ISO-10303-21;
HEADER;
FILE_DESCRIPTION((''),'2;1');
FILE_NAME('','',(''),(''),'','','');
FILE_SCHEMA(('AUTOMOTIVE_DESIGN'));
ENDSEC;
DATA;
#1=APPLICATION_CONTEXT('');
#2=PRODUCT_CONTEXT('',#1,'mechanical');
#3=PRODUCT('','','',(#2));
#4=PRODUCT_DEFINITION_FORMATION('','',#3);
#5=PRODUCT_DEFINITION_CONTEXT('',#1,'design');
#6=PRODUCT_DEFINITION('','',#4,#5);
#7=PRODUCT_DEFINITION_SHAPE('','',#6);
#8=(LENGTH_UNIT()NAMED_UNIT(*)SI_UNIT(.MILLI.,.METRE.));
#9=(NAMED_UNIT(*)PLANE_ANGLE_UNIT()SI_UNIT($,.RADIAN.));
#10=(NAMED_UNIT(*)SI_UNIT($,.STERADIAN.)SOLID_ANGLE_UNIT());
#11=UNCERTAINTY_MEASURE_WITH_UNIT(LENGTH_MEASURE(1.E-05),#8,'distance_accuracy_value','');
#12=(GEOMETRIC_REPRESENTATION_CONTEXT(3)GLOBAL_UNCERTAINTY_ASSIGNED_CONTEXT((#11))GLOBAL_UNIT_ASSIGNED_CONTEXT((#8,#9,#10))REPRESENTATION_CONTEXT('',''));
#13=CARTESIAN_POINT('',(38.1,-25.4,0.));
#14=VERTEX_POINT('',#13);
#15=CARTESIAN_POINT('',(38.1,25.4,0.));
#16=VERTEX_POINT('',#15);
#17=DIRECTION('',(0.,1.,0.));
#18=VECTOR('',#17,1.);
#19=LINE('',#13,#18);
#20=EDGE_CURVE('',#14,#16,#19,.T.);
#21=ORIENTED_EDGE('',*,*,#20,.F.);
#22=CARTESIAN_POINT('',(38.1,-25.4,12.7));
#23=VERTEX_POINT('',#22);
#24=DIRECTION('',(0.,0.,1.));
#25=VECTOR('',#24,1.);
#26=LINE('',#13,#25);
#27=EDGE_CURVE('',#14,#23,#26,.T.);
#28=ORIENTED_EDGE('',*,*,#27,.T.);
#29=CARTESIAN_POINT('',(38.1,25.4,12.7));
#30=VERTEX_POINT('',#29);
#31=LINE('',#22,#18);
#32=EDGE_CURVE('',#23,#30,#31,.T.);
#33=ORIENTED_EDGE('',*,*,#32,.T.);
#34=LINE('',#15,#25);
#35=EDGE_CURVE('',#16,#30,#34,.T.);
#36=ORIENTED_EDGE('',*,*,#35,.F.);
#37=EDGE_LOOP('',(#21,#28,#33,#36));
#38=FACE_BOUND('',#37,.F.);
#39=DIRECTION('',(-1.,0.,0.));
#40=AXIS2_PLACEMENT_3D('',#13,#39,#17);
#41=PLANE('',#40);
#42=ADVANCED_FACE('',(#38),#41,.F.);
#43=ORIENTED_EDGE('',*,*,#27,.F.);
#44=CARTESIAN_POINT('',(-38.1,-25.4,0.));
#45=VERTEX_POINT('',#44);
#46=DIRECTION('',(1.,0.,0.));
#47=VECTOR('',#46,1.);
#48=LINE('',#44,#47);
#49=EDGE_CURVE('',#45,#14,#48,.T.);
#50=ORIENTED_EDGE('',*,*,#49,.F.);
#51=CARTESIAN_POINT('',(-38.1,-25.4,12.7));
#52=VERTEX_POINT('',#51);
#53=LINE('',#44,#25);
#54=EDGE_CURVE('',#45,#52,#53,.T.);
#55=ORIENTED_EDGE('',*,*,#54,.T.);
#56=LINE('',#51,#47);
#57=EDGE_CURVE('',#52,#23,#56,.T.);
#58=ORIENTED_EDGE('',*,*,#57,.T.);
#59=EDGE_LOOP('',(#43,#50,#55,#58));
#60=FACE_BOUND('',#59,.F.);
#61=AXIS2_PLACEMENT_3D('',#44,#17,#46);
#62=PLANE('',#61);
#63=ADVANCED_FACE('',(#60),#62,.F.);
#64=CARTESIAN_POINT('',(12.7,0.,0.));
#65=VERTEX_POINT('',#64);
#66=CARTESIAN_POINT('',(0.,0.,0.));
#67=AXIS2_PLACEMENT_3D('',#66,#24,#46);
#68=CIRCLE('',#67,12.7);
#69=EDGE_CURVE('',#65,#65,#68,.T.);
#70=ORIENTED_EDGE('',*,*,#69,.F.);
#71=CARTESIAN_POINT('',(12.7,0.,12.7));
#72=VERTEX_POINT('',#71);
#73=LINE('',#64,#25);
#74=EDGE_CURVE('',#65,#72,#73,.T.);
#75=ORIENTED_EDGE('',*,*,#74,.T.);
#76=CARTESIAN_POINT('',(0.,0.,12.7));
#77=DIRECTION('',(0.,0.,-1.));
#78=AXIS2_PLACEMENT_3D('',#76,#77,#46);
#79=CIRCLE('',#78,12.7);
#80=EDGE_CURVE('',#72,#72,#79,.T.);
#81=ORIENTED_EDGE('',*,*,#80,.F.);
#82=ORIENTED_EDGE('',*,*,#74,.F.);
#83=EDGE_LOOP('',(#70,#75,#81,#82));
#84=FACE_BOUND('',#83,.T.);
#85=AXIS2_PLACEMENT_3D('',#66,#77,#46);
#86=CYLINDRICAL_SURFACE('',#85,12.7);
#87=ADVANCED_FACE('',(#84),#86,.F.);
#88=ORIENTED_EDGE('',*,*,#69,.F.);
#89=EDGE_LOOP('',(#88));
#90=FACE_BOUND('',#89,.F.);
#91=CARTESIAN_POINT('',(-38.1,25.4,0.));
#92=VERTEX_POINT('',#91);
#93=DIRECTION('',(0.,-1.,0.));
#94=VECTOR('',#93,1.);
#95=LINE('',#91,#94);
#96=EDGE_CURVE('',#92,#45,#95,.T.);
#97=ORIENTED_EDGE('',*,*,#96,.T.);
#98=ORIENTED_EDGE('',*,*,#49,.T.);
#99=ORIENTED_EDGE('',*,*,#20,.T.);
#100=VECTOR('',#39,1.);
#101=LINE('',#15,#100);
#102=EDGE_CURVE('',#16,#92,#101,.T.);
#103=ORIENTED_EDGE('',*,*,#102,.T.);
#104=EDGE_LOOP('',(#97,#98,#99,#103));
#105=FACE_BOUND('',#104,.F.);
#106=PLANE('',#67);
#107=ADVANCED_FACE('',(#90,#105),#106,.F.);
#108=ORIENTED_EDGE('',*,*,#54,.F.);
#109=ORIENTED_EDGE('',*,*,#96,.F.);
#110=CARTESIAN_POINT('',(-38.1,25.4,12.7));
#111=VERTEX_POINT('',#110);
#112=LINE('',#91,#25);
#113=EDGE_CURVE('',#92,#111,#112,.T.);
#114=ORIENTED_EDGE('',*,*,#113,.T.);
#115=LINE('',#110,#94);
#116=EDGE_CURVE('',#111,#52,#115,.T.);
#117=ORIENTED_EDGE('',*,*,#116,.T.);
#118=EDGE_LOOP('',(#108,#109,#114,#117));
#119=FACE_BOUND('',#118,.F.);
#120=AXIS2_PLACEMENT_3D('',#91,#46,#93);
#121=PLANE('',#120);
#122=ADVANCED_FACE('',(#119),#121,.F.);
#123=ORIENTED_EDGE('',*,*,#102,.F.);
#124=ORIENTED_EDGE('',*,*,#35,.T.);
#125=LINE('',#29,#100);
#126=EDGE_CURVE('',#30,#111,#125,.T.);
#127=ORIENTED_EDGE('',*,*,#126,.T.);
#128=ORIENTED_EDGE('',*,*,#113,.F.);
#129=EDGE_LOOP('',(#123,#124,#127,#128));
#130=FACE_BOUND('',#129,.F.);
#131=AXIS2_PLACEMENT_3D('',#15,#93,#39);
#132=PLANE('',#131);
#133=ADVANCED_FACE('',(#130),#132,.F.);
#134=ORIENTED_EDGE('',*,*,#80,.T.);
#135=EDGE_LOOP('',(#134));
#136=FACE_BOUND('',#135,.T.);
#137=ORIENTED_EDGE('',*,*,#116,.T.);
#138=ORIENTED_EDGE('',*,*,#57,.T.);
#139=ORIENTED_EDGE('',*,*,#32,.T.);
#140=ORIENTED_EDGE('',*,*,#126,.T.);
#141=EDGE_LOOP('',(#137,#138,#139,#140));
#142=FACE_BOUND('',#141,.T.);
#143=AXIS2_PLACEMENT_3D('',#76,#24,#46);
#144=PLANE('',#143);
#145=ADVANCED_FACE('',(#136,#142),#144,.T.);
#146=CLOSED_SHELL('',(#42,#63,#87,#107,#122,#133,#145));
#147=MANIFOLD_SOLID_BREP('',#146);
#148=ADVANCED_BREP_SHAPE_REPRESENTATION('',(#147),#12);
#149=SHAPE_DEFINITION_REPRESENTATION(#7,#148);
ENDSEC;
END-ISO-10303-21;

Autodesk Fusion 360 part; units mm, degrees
sketch "RectangleWithCircle" plane through (0, 0, 0) normal (0, 0, 1) x (1, 0, 0)
  line L0 (-38.1, -25.4) -> (38.1, -25.4)
  line L1 (38.1, -25.4) -> (38.1, 25.4)
  line L2 (38.1, 25.4) -> (-38.1, 25.4)
  line L3 (-38.1, 25.4) -> (-38.1, -25.4)
  circle A0 centre (0, 0) radius 12.7
  dimension "d1" = 76.2
  dimension "d2" = 50.8
  dimension "d3" = 25.4
sketch "Sketch2" plane through (0, 0, 0) normal (0, 0, 1) x (1, 0, 0)
  line L0 (-38.1, -25.4) -> (38.1, -25.4)
  line L1 (38.1, -25.4) -> (38.1, 25.4)
  line L2 (38.1, 25.4) -> (-38.1, 25.4)
  line L3 (-38.1, 25.4) -> (-38.1, -25.4)
  dimension "d6" = 50.8
  dimension "d7" = 76.2
extrude "Extrude1" add sketch "Sketch2" along normal blind 12.7
extrude "Extrude2" cut sketch "RectangleWithCircle" along normal through all contours A0
equation "d3 = ( 1.27 cm ) * 2"
